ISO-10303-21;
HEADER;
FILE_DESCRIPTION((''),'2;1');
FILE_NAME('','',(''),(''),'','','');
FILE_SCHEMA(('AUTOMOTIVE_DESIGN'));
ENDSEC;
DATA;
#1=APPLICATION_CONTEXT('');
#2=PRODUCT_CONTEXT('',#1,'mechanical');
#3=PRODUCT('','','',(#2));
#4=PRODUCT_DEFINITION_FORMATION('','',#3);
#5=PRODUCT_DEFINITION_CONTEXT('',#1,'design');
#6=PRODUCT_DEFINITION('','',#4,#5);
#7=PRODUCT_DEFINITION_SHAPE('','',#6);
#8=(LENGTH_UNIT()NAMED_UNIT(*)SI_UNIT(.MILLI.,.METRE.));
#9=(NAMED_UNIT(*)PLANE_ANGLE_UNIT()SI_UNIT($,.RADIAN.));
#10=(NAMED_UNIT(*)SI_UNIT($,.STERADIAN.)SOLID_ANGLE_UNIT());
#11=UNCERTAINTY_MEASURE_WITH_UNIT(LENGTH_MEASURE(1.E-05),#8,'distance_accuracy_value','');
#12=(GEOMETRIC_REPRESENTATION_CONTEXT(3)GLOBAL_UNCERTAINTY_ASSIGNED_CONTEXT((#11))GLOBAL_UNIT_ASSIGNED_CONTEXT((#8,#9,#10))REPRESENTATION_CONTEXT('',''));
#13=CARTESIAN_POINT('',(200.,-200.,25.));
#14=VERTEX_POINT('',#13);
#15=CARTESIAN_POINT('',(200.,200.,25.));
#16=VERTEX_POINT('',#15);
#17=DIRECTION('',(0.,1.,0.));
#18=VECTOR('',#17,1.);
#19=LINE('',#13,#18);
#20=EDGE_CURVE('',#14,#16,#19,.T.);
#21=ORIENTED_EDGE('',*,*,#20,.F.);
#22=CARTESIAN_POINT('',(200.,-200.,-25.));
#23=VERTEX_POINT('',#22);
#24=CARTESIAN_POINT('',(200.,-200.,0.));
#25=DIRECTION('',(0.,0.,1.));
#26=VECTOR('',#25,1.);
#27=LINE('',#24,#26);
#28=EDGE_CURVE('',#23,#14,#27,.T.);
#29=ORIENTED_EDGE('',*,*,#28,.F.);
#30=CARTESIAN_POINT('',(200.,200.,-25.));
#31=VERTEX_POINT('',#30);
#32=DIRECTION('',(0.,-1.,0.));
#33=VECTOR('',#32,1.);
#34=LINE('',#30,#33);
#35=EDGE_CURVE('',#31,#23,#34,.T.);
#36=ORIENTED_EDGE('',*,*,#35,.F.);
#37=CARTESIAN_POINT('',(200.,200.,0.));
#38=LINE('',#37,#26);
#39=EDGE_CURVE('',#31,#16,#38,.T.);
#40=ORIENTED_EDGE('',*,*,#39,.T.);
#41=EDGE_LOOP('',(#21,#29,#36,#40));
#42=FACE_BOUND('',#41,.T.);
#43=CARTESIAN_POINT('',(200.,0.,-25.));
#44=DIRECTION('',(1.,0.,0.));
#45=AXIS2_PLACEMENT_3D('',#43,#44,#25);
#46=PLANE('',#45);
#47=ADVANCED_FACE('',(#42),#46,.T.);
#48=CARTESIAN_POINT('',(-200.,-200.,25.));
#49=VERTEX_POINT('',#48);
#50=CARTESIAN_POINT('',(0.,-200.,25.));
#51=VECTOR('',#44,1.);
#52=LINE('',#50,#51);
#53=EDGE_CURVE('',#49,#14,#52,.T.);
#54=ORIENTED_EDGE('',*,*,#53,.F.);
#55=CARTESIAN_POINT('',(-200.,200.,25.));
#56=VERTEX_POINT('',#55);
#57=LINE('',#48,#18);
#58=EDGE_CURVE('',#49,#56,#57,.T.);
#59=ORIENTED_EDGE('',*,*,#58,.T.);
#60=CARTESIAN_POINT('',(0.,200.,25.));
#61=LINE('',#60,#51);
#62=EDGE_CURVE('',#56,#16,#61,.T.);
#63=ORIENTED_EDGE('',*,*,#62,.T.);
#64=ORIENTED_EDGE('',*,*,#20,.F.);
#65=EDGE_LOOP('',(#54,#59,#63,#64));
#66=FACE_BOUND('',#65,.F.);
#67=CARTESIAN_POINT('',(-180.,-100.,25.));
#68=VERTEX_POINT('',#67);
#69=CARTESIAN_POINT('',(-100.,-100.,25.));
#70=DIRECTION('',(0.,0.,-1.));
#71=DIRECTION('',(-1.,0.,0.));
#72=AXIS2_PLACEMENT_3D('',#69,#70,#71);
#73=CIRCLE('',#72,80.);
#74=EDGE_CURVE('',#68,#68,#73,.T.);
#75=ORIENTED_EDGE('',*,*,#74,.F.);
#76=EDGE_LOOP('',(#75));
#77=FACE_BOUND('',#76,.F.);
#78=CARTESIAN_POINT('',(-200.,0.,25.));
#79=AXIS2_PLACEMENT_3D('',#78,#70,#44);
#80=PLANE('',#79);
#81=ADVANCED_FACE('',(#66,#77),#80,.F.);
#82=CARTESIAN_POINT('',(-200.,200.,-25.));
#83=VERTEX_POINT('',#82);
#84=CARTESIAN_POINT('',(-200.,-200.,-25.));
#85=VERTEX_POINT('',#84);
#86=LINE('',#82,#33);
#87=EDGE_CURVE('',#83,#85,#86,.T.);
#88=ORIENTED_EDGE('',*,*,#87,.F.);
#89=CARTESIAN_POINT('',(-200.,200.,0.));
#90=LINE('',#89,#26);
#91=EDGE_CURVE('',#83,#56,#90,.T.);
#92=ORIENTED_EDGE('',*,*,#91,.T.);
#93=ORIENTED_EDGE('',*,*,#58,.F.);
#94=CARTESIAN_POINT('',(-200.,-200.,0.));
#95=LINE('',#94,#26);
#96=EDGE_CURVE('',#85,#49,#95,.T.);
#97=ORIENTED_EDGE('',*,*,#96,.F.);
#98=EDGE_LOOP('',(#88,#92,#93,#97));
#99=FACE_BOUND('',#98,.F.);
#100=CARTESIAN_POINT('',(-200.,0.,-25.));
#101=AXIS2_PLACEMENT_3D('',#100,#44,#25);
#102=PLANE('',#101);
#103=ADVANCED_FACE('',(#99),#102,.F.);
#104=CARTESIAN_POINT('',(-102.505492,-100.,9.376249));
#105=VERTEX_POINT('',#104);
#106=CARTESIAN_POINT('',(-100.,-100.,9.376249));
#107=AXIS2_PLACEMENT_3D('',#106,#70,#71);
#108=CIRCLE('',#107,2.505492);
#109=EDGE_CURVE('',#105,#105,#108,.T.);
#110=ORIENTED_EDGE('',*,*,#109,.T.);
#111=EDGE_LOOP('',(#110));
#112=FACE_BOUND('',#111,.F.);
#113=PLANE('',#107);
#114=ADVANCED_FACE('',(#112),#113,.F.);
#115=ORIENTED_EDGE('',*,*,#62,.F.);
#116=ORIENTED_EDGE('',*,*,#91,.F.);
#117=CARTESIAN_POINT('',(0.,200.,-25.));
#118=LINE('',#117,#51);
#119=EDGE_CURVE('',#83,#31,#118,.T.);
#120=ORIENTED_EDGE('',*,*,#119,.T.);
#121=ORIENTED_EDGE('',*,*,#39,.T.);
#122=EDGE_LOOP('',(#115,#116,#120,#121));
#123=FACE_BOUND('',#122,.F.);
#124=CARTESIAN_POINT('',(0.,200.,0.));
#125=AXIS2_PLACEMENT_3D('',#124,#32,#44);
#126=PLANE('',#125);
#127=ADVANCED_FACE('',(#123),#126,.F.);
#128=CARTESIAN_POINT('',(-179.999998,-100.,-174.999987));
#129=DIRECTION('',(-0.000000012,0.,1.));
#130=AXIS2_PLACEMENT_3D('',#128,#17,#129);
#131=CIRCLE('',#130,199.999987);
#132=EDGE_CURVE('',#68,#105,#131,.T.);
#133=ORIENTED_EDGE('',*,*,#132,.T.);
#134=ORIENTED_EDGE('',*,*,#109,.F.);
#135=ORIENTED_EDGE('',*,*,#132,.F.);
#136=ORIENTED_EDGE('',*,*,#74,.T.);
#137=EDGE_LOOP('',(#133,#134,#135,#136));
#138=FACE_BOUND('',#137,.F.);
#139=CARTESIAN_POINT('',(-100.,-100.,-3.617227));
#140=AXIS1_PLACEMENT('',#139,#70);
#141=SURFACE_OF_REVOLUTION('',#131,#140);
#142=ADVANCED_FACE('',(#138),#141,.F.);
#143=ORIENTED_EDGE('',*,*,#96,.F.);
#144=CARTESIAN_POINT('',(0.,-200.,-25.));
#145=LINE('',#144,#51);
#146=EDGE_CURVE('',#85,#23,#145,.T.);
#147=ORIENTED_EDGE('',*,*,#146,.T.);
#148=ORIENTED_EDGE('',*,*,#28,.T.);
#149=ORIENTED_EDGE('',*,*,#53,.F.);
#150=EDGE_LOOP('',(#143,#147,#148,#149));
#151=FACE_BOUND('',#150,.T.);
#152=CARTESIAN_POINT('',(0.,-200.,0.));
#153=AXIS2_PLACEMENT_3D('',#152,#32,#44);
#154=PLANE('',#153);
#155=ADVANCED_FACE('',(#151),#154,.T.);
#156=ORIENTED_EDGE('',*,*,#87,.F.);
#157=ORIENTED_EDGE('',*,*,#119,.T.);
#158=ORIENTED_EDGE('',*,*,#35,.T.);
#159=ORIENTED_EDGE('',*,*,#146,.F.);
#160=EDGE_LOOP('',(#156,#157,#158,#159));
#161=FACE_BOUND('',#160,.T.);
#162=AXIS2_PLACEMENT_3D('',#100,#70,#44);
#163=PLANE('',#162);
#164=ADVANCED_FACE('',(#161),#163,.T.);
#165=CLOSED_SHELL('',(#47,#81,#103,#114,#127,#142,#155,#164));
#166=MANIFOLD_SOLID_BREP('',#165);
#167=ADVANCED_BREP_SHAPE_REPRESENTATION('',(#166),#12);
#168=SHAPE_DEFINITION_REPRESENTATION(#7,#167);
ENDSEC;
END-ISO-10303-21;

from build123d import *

# Parameters (mm, degrees)
F0_W     = 400
F0_H     = 50
F1_DEPTH = 200


with BuildPart() as f1:
    # F0 (on Front) → F1 (new body, symmetric)
    with BuildSketch(Plane.XZ):
        Rectangle(F0_W, F0_H)
    extrude(amount=F1_DEPTH, both=True)

    # F3 (on offset) → F4 (revolve, cut)
    with BuildSketch(Plane.XZ.offset(100)):
        with BuildLine():
            Line((-100, 9.376249), (-100, 25))
            Line((-100, 25), (-180, 25))
            ThreePointArc((-180, 25), (-140.473109, 21.055158), (-102.505492, 9.376249))
            Line((-102.505492, 9.376249), (-100, 9.376249))
        make_face()
    revolve(axis=Axis((-100, -100, -3.617227), (0, 0, -1)), mode=Mode.SUBTRACT)


solid = f1.part
